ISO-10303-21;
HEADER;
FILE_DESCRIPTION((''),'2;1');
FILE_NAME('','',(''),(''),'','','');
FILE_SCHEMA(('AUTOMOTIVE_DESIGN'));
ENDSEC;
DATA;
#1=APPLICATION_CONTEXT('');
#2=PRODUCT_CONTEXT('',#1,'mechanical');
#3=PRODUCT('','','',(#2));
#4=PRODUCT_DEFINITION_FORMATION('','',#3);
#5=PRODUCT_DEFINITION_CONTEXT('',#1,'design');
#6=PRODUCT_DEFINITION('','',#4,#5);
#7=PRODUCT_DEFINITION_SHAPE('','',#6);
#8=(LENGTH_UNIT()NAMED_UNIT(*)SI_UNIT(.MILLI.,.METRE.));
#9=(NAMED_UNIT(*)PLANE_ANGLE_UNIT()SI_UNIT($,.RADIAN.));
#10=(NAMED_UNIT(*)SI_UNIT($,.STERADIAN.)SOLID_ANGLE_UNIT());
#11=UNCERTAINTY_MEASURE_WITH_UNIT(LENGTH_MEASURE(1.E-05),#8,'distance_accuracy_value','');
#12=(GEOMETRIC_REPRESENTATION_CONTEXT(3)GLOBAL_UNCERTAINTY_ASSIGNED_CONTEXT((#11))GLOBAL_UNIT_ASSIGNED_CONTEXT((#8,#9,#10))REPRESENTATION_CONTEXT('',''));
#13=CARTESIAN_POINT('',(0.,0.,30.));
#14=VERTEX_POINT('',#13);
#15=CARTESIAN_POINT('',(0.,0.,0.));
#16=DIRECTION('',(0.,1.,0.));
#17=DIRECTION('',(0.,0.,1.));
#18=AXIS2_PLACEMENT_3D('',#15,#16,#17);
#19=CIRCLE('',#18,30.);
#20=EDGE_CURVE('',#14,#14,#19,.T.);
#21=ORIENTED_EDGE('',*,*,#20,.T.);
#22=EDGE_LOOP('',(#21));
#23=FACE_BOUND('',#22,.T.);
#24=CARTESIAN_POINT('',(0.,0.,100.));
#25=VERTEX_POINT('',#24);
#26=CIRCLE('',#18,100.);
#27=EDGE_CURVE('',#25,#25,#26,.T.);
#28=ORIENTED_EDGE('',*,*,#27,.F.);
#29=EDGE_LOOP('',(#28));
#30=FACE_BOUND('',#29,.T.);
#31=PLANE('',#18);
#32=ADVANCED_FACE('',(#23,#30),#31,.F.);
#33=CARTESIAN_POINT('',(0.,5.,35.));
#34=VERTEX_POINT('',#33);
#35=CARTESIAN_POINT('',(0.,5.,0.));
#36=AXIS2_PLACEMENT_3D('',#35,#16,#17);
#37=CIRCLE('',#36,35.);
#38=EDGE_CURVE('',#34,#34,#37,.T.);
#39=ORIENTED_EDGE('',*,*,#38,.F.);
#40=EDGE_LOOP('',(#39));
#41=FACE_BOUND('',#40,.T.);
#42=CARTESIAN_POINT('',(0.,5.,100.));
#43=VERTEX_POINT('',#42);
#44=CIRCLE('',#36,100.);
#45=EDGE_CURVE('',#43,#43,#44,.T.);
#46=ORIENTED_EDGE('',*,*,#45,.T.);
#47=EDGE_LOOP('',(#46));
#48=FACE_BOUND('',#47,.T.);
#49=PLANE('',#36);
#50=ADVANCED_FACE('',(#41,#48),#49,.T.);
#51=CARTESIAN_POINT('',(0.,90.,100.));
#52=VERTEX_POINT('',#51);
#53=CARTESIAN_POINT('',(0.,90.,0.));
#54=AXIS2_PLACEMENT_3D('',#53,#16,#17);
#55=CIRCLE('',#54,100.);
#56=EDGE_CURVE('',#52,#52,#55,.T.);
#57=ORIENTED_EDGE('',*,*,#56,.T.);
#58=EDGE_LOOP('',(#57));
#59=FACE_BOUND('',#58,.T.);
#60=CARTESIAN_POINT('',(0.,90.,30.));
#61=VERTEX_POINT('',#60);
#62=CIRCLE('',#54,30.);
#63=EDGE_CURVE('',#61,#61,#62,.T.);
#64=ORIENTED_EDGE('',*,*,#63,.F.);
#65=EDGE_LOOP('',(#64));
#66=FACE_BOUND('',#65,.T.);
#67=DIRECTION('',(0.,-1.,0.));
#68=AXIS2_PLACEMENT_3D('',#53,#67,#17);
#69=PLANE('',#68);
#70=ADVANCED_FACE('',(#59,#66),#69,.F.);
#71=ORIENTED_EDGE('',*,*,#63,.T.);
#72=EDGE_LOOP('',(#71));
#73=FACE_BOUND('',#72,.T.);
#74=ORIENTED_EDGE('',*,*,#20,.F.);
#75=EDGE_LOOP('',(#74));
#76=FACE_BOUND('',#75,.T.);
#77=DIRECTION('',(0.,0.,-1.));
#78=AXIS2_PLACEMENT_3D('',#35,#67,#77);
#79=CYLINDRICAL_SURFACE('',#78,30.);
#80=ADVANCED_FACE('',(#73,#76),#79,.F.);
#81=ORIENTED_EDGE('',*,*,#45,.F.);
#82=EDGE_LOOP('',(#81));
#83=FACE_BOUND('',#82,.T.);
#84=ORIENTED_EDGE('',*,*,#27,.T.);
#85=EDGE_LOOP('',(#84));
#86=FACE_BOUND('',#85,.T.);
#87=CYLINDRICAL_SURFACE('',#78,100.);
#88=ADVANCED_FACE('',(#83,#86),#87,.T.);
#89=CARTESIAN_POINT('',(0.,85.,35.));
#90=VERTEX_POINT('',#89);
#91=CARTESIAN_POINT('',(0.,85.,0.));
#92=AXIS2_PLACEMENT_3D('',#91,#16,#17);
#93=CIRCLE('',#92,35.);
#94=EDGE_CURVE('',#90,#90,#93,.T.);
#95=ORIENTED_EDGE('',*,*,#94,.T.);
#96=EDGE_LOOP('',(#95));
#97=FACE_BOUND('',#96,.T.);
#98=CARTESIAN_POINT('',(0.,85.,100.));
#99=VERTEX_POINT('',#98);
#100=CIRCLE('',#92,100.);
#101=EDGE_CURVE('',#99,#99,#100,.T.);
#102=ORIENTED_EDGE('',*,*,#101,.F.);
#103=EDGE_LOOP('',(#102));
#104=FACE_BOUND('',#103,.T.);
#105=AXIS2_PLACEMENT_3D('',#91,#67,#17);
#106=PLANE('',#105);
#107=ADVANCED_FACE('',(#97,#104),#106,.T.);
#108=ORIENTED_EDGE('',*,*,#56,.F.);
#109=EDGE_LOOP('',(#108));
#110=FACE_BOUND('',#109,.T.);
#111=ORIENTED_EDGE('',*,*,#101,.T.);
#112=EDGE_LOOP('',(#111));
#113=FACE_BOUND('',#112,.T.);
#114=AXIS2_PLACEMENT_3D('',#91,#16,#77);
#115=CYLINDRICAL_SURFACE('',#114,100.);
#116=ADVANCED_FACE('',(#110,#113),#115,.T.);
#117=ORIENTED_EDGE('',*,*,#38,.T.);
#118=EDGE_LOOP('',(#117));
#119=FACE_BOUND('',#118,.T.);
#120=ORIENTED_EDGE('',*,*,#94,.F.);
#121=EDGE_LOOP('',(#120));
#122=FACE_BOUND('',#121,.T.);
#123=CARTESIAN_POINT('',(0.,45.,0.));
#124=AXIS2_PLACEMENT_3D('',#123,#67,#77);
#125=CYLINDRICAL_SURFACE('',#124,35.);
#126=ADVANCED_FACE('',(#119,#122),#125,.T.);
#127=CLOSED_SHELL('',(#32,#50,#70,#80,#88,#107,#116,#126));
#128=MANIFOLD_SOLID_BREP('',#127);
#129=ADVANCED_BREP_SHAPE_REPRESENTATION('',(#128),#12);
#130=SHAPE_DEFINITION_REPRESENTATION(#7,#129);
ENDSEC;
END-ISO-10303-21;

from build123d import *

# Parameters (mm, degrees)
SKETCH1_R           = 100
SKETCH1_R_2         = 30
BOSS_EXTRUDE1_DEPTH = 5
SKETCH2_R           = 35
SKETCH2_R_2         = 30
BOSS_EXTRUDE2_DEPTH = 40


with BuildPart() as part:
    # Sketch1 → Boss-Extrude1 (new body)
    with BuildSketch(Plane(origin=(0, 0, 0), x_dir=(1, 0, 0), z_dir=(0, 1, 0))):
        with Locations(Location((0, 0, 0), (0, 0, 270))):
            Circle(SKETCH1_R)
        with Locations(Location((0, 0, 0), (0, 0, 270))):
            Circle(SKETCH1_R_2, mode=Mode.SUBTRACT)
    boss_extrude1 = extrude(amount=BOSS_EXTRUDE1_DEPTH)

    # Sketch2 → Boss-Extrude2 (add)
    with BuildSketch(Plane(origin=(0, 5, 0), x_dir=(1, 0, 0), z_dir=(0, 1, 0))):
        with Locations(Location((0, 0, 0), (0, 0, 270))):
            Circle(SKETCH2_R)
        with Locations(Location((0, 0, 0), (0, 0, 270))):
            Circle(SKETCH2_R_2, mode=Mode.SUBTRACT)
    boss_extrude2 = extrude(amount=BOSS_EXTRUDE2_DEPTH)

    # Mirror1: Boss-Extrude1, Boss-Extrude2 across plane
    add(boss_extrude1.mirror(Plane.ZX.offset(45)))
    add(boss_extrude2.mirror(Plane.ZX.offset(45)))


solid = part.part
